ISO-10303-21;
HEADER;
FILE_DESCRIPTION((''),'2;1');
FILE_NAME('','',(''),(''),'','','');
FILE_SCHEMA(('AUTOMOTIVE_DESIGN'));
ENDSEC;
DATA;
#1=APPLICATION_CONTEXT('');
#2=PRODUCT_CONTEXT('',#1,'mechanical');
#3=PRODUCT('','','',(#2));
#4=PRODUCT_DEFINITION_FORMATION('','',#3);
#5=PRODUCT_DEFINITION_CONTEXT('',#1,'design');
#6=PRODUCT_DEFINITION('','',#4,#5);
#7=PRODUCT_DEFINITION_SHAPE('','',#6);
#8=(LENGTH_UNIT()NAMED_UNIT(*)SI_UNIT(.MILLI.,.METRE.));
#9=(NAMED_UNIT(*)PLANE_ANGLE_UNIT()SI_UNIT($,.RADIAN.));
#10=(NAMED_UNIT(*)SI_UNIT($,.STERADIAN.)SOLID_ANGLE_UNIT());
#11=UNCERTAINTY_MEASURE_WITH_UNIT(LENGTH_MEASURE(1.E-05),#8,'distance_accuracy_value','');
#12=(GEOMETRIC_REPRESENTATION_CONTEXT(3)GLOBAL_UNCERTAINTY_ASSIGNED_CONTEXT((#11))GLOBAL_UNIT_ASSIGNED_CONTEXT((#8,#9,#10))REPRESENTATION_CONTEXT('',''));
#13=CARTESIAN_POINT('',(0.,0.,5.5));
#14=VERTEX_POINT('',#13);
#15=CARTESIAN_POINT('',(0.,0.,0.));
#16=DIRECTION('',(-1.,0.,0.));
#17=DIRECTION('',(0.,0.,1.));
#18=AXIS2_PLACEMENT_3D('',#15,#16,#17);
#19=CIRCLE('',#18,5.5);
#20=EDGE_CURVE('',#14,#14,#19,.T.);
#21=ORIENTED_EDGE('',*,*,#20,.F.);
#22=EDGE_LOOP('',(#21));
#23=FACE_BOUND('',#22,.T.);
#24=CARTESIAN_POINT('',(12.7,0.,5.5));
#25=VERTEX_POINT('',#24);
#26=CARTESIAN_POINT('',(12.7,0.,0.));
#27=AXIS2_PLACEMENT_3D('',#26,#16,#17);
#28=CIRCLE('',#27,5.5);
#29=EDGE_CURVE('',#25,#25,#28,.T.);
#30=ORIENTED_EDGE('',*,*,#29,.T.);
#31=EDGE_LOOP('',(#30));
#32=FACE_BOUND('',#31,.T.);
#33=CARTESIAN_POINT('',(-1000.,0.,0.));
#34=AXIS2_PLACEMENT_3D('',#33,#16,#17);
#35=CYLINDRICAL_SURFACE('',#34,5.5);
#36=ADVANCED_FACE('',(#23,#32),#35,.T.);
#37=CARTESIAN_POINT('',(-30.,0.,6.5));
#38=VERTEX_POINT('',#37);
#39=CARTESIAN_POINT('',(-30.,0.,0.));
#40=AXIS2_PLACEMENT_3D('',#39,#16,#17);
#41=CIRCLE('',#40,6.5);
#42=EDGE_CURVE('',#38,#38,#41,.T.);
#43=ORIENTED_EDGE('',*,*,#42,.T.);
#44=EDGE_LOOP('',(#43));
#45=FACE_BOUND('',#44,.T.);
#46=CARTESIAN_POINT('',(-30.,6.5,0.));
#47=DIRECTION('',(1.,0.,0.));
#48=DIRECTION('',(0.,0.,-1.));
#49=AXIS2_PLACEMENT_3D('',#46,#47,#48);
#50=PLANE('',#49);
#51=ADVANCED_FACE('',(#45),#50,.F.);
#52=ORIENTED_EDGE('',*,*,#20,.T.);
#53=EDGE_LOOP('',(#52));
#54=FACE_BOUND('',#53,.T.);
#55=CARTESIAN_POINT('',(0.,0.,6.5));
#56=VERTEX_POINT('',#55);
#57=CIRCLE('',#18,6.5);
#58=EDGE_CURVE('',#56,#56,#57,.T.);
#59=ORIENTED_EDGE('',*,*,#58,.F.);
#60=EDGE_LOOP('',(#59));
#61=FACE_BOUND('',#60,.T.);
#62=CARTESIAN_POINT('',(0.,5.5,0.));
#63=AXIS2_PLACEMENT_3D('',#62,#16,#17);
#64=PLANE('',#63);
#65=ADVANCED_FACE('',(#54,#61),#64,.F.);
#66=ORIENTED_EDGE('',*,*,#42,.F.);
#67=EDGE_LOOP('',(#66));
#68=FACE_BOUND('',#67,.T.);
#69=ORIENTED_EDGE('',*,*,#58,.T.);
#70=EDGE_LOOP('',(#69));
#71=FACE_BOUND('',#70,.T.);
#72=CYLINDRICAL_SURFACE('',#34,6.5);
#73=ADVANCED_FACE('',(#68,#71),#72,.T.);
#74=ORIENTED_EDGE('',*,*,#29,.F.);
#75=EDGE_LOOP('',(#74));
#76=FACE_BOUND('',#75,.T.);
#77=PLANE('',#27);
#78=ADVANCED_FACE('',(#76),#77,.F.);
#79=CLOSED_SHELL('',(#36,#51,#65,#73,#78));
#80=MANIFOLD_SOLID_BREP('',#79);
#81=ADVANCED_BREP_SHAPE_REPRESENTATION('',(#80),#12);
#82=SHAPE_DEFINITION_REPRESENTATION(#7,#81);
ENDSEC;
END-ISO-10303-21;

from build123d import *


with BuildPart() as part:
    # Fill_Nipple Sketch → Fill_Nipple (revolve)
    with BuildSketch(Plane.XY):
        Polygon((12.7, 0), (12.7, 5.5), (0, 5.5), (0, 6.5), (-30, 6.5), (-30, 0), align=None)
    revolve(axis=Axis((-1000, 0, 0), (1, 0, 0)))


solid = part.part
